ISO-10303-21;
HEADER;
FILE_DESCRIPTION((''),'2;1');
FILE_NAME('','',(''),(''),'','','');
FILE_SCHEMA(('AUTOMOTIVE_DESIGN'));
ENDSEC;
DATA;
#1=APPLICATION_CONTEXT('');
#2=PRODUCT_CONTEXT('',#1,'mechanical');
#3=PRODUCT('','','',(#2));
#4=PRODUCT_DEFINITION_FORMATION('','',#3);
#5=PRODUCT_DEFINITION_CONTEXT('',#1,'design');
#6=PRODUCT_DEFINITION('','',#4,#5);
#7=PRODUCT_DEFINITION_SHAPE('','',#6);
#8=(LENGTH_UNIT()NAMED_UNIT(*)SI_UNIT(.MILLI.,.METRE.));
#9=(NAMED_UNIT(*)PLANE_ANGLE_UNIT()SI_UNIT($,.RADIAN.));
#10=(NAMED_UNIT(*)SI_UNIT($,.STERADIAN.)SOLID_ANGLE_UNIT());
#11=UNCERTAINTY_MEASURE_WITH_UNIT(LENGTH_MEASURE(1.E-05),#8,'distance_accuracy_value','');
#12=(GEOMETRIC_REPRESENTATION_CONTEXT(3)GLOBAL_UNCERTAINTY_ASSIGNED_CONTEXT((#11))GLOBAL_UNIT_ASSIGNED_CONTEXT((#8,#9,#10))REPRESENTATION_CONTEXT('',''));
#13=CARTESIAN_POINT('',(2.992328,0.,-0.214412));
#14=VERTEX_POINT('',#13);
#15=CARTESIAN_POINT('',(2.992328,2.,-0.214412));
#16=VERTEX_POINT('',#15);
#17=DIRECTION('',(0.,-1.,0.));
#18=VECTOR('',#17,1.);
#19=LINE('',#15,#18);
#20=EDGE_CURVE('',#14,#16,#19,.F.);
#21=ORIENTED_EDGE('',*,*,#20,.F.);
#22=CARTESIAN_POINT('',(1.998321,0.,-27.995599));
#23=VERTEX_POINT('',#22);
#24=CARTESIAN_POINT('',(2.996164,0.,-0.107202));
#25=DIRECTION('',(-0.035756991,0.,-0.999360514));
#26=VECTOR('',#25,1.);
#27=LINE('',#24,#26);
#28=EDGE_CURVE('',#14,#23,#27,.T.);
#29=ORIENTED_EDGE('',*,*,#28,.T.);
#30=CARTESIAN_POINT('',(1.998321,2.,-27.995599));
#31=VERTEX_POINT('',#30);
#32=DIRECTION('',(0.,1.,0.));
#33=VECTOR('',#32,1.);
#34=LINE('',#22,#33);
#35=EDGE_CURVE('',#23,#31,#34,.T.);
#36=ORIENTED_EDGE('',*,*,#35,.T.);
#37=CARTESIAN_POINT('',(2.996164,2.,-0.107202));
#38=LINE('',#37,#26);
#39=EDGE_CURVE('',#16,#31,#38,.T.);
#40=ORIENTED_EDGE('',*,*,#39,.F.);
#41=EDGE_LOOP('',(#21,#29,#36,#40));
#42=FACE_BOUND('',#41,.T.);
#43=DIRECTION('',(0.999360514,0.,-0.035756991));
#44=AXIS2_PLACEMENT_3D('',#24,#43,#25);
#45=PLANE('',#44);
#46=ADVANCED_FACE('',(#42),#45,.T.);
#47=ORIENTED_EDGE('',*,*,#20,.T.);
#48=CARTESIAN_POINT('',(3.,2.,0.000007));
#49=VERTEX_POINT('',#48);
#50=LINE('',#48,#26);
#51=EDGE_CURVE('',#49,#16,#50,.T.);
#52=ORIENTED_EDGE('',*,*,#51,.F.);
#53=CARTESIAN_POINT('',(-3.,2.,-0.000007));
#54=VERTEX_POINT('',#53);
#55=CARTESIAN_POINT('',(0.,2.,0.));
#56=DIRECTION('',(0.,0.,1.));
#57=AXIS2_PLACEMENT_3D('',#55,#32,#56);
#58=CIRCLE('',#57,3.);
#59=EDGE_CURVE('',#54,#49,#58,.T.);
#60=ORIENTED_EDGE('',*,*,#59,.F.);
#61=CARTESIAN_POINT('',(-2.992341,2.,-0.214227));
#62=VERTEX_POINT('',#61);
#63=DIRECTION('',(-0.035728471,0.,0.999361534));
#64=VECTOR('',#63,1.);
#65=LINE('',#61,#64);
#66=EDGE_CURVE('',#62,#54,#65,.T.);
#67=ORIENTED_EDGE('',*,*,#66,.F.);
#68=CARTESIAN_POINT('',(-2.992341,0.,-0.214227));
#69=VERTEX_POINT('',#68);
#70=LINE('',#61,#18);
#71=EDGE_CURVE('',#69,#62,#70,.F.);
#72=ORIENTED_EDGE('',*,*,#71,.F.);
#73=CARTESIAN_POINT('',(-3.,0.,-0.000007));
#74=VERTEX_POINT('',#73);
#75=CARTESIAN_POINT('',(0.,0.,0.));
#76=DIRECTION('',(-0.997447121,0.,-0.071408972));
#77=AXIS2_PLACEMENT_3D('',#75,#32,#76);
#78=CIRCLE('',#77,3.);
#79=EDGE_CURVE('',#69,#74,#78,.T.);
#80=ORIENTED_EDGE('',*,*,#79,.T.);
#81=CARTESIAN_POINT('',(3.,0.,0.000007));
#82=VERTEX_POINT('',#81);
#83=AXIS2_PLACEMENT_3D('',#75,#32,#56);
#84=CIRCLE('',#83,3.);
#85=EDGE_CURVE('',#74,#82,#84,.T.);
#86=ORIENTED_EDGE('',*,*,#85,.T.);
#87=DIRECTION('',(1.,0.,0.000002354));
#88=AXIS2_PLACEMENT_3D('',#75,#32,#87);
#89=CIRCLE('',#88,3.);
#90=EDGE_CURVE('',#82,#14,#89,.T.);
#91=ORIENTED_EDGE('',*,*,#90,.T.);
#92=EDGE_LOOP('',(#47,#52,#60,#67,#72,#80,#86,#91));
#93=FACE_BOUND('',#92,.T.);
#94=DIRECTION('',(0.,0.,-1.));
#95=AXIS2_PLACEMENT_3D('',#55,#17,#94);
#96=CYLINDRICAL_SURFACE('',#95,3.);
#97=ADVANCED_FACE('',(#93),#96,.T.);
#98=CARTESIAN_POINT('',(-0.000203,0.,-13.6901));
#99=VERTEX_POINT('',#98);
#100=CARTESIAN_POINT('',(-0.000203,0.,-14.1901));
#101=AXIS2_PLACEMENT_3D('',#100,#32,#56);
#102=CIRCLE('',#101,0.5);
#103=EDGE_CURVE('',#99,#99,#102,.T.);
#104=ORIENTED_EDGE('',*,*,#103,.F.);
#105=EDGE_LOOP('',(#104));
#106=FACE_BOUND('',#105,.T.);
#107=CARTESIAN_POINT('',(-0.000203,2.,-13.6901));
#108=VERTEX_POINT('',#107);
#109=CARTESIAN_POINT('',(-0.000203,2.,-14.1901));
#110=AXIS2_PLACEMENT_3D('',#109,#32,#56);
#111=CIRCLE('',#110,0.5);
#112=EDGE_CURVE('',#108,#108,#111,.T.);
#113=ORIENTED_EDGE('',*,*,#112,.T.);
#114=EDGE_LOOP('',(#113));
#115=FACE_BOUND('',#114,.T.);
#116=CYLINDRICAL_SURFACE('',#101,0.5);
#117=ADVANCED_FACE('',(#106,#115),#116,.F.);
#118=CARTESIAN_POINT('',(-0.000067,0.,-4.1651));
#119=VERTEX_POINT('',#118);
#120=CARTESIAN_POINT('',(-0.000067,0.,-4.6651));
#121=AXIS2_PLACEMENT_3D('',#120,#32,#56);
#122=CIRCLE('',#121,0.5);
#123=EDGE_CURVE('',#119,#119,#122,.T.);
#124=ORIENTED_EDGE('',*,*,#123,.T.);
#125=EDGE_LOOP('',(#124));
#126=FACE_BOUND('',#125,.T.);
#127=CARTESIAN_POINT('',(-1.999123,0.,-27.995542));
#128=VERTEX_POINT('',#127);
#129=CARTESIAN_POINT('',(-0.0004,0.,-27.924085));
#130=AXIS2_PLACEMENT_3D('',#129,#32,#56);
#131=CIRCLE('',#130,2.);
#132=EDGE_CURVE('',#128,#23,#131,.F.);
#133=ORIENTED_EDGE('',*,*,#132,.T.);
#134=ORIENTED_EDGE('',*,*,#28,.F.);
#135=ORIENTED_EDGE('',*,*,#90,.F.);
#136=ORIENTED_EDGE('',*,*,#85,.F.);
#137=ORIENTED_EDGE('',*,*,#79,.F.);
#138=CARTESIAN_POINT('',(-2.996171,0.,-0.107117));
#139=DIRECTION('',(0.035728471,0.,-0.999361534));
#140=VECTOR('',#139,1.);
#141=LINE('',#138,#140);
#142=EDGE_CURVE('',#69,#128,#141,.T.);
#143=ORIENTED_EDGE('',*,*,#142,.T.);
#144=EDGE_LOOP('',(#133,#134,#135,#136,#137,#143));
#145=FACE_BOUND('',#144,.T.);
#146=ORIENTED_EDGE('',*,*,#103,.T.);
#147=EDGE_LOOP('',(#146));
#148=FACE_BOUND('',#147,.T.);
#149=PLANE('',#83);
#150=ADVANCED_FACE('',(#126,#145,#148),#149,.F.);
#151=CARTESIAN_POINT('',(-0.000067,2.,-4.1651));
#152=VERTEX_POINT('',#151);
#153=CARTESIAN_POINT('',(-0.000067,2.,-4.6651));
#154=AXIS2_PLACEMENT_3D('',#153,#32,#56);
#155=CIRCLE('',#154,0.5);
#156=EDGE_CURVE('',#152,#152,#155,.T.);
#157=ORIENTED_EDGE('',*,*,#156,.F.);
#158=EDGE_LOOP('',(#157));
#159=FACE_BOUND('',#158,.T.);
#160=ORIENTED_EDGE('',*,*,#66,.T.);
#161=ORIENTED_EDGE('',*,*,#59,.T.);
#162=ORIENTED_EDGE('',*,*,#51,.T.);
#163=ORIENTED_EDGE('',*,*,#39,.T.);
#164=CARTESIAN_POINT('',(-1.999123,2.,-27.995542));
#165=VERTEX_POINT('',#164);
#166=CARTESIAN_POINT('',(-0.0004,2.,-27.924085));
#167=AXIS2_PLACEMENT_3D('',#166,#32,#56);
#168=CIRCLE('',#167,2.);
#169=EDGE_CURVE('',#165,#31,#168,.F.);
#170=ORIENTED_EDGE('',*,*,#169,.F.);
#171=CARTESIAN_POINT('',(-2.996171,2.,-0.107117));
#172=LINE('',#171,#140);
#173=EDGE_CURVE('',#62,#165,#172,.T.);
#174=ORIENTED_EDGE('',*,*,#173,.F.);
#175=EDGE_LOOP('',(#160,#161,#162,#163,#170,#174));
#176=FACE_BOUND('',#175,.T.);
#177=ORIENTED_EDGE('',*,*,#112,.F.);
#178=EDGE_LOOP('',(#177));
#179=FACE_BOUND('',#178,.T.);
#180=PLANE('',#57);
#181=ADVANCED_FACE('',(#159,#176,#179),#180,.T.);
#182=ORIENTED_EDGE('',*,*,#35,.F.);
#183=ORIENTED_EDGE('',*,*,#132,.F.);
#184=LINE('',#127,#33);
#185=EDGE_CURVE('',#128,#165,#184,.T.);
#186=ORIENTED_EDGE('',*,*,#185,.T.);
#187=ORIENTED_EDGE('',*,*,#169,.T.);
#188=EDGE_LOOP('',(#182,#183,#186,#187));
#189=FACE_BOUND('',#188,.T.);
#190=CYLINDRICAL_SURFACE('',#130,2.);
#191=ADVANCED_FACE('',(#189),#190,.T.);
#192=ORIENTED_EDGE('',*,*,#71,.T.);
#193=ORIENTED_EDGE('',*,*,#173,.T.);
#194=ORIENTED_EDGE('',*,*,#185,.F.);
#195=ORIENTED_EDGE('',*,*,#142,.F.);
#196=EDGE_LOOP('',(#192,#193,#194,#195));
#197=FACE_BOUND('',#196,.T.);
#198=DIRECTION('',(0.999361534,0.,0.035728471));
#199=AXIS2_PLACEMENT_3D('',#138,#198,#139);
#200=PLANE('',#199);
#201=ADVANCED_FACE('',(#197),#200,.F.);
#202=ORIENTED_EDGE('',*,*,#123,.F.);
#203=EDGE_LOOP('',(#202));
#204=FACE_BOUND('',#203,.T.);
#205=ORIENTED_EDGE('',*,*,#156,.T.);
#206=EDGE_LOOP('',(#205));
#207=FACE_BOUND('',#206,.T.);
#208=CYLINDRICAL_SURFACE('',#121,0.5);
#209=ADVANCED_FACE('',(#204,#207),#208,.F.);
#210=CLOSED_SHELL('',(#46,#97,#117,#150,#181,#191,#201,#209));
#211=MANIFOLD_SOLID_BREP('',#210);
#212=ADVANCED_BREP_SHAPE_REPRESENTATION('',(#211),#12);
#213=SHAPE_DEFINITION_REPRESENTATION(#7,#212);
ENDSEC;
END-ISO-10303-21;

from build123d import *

# Parameters (mm, degrees)
SKETCH1_R           = 3
BOSS_EXTRUDE1_DEPTH = 2
BOSS_EXTRUDE4_DEPTH = 2
SKETCH4_R           = 0.5
CUT_EXTRUDE1_DEPTH  = 2


with BuildPart() as part:
    # Sketch1 → Boss-Extrude1 (new body)
    with BuildSketch(Plane(origin=(0, 0, 0), x_dir=(1, 0, 0), z_dir=(0, 1, 0))):
        Circle(SKETCH1_R)
    extrude(amount=BOSS_EXTRUDE1_DEPTH)

    # Sketch3 → Boss-Extrude4 (add)
    with BuildSketch(Plane(origin=(0, 2, 0), x_dir=(1, 0, 0), z_dir=(0, 1, 0))):
        with BuildLine():
            ThreePointArc((-2.992341362, 0.214226915), (9.2675e-05, -2.999999999), (2.992328121, 0.214411791))
            Line((2.992328121, 0.214411791), (1.998320796, 27.995599459))
            ThreePointArc((1.998320796, 27.995599459), (-0.000428771, 29.924085477), (-1.999123301, 27.995542419))
            Line((-1.999123301, 27.995542419), (-2.992341362, 0.214226915))
        make_face()
    extrude(amount=-BOSS_EXTRUDE4_DEPTH)

    # Sketch4 → Cut-Extrude1 (cut)
    with BuildSketch(Plane(origin=(0, 2, 0), x_dir=(1, 0, 0), z_dir=(0, 1, 0))):
        with Locations((-0.000203324, 14.190099999)):
            Circle(SKETCH4_R)
        with Locations((-6.6844e-05, 4.6651)):
            Circle(SKETCH4_R)
    extrude(amount=-CUT_EXTRUDE1_DEPTH, mode=Mode.SUBTRACT)


solid = part.part
